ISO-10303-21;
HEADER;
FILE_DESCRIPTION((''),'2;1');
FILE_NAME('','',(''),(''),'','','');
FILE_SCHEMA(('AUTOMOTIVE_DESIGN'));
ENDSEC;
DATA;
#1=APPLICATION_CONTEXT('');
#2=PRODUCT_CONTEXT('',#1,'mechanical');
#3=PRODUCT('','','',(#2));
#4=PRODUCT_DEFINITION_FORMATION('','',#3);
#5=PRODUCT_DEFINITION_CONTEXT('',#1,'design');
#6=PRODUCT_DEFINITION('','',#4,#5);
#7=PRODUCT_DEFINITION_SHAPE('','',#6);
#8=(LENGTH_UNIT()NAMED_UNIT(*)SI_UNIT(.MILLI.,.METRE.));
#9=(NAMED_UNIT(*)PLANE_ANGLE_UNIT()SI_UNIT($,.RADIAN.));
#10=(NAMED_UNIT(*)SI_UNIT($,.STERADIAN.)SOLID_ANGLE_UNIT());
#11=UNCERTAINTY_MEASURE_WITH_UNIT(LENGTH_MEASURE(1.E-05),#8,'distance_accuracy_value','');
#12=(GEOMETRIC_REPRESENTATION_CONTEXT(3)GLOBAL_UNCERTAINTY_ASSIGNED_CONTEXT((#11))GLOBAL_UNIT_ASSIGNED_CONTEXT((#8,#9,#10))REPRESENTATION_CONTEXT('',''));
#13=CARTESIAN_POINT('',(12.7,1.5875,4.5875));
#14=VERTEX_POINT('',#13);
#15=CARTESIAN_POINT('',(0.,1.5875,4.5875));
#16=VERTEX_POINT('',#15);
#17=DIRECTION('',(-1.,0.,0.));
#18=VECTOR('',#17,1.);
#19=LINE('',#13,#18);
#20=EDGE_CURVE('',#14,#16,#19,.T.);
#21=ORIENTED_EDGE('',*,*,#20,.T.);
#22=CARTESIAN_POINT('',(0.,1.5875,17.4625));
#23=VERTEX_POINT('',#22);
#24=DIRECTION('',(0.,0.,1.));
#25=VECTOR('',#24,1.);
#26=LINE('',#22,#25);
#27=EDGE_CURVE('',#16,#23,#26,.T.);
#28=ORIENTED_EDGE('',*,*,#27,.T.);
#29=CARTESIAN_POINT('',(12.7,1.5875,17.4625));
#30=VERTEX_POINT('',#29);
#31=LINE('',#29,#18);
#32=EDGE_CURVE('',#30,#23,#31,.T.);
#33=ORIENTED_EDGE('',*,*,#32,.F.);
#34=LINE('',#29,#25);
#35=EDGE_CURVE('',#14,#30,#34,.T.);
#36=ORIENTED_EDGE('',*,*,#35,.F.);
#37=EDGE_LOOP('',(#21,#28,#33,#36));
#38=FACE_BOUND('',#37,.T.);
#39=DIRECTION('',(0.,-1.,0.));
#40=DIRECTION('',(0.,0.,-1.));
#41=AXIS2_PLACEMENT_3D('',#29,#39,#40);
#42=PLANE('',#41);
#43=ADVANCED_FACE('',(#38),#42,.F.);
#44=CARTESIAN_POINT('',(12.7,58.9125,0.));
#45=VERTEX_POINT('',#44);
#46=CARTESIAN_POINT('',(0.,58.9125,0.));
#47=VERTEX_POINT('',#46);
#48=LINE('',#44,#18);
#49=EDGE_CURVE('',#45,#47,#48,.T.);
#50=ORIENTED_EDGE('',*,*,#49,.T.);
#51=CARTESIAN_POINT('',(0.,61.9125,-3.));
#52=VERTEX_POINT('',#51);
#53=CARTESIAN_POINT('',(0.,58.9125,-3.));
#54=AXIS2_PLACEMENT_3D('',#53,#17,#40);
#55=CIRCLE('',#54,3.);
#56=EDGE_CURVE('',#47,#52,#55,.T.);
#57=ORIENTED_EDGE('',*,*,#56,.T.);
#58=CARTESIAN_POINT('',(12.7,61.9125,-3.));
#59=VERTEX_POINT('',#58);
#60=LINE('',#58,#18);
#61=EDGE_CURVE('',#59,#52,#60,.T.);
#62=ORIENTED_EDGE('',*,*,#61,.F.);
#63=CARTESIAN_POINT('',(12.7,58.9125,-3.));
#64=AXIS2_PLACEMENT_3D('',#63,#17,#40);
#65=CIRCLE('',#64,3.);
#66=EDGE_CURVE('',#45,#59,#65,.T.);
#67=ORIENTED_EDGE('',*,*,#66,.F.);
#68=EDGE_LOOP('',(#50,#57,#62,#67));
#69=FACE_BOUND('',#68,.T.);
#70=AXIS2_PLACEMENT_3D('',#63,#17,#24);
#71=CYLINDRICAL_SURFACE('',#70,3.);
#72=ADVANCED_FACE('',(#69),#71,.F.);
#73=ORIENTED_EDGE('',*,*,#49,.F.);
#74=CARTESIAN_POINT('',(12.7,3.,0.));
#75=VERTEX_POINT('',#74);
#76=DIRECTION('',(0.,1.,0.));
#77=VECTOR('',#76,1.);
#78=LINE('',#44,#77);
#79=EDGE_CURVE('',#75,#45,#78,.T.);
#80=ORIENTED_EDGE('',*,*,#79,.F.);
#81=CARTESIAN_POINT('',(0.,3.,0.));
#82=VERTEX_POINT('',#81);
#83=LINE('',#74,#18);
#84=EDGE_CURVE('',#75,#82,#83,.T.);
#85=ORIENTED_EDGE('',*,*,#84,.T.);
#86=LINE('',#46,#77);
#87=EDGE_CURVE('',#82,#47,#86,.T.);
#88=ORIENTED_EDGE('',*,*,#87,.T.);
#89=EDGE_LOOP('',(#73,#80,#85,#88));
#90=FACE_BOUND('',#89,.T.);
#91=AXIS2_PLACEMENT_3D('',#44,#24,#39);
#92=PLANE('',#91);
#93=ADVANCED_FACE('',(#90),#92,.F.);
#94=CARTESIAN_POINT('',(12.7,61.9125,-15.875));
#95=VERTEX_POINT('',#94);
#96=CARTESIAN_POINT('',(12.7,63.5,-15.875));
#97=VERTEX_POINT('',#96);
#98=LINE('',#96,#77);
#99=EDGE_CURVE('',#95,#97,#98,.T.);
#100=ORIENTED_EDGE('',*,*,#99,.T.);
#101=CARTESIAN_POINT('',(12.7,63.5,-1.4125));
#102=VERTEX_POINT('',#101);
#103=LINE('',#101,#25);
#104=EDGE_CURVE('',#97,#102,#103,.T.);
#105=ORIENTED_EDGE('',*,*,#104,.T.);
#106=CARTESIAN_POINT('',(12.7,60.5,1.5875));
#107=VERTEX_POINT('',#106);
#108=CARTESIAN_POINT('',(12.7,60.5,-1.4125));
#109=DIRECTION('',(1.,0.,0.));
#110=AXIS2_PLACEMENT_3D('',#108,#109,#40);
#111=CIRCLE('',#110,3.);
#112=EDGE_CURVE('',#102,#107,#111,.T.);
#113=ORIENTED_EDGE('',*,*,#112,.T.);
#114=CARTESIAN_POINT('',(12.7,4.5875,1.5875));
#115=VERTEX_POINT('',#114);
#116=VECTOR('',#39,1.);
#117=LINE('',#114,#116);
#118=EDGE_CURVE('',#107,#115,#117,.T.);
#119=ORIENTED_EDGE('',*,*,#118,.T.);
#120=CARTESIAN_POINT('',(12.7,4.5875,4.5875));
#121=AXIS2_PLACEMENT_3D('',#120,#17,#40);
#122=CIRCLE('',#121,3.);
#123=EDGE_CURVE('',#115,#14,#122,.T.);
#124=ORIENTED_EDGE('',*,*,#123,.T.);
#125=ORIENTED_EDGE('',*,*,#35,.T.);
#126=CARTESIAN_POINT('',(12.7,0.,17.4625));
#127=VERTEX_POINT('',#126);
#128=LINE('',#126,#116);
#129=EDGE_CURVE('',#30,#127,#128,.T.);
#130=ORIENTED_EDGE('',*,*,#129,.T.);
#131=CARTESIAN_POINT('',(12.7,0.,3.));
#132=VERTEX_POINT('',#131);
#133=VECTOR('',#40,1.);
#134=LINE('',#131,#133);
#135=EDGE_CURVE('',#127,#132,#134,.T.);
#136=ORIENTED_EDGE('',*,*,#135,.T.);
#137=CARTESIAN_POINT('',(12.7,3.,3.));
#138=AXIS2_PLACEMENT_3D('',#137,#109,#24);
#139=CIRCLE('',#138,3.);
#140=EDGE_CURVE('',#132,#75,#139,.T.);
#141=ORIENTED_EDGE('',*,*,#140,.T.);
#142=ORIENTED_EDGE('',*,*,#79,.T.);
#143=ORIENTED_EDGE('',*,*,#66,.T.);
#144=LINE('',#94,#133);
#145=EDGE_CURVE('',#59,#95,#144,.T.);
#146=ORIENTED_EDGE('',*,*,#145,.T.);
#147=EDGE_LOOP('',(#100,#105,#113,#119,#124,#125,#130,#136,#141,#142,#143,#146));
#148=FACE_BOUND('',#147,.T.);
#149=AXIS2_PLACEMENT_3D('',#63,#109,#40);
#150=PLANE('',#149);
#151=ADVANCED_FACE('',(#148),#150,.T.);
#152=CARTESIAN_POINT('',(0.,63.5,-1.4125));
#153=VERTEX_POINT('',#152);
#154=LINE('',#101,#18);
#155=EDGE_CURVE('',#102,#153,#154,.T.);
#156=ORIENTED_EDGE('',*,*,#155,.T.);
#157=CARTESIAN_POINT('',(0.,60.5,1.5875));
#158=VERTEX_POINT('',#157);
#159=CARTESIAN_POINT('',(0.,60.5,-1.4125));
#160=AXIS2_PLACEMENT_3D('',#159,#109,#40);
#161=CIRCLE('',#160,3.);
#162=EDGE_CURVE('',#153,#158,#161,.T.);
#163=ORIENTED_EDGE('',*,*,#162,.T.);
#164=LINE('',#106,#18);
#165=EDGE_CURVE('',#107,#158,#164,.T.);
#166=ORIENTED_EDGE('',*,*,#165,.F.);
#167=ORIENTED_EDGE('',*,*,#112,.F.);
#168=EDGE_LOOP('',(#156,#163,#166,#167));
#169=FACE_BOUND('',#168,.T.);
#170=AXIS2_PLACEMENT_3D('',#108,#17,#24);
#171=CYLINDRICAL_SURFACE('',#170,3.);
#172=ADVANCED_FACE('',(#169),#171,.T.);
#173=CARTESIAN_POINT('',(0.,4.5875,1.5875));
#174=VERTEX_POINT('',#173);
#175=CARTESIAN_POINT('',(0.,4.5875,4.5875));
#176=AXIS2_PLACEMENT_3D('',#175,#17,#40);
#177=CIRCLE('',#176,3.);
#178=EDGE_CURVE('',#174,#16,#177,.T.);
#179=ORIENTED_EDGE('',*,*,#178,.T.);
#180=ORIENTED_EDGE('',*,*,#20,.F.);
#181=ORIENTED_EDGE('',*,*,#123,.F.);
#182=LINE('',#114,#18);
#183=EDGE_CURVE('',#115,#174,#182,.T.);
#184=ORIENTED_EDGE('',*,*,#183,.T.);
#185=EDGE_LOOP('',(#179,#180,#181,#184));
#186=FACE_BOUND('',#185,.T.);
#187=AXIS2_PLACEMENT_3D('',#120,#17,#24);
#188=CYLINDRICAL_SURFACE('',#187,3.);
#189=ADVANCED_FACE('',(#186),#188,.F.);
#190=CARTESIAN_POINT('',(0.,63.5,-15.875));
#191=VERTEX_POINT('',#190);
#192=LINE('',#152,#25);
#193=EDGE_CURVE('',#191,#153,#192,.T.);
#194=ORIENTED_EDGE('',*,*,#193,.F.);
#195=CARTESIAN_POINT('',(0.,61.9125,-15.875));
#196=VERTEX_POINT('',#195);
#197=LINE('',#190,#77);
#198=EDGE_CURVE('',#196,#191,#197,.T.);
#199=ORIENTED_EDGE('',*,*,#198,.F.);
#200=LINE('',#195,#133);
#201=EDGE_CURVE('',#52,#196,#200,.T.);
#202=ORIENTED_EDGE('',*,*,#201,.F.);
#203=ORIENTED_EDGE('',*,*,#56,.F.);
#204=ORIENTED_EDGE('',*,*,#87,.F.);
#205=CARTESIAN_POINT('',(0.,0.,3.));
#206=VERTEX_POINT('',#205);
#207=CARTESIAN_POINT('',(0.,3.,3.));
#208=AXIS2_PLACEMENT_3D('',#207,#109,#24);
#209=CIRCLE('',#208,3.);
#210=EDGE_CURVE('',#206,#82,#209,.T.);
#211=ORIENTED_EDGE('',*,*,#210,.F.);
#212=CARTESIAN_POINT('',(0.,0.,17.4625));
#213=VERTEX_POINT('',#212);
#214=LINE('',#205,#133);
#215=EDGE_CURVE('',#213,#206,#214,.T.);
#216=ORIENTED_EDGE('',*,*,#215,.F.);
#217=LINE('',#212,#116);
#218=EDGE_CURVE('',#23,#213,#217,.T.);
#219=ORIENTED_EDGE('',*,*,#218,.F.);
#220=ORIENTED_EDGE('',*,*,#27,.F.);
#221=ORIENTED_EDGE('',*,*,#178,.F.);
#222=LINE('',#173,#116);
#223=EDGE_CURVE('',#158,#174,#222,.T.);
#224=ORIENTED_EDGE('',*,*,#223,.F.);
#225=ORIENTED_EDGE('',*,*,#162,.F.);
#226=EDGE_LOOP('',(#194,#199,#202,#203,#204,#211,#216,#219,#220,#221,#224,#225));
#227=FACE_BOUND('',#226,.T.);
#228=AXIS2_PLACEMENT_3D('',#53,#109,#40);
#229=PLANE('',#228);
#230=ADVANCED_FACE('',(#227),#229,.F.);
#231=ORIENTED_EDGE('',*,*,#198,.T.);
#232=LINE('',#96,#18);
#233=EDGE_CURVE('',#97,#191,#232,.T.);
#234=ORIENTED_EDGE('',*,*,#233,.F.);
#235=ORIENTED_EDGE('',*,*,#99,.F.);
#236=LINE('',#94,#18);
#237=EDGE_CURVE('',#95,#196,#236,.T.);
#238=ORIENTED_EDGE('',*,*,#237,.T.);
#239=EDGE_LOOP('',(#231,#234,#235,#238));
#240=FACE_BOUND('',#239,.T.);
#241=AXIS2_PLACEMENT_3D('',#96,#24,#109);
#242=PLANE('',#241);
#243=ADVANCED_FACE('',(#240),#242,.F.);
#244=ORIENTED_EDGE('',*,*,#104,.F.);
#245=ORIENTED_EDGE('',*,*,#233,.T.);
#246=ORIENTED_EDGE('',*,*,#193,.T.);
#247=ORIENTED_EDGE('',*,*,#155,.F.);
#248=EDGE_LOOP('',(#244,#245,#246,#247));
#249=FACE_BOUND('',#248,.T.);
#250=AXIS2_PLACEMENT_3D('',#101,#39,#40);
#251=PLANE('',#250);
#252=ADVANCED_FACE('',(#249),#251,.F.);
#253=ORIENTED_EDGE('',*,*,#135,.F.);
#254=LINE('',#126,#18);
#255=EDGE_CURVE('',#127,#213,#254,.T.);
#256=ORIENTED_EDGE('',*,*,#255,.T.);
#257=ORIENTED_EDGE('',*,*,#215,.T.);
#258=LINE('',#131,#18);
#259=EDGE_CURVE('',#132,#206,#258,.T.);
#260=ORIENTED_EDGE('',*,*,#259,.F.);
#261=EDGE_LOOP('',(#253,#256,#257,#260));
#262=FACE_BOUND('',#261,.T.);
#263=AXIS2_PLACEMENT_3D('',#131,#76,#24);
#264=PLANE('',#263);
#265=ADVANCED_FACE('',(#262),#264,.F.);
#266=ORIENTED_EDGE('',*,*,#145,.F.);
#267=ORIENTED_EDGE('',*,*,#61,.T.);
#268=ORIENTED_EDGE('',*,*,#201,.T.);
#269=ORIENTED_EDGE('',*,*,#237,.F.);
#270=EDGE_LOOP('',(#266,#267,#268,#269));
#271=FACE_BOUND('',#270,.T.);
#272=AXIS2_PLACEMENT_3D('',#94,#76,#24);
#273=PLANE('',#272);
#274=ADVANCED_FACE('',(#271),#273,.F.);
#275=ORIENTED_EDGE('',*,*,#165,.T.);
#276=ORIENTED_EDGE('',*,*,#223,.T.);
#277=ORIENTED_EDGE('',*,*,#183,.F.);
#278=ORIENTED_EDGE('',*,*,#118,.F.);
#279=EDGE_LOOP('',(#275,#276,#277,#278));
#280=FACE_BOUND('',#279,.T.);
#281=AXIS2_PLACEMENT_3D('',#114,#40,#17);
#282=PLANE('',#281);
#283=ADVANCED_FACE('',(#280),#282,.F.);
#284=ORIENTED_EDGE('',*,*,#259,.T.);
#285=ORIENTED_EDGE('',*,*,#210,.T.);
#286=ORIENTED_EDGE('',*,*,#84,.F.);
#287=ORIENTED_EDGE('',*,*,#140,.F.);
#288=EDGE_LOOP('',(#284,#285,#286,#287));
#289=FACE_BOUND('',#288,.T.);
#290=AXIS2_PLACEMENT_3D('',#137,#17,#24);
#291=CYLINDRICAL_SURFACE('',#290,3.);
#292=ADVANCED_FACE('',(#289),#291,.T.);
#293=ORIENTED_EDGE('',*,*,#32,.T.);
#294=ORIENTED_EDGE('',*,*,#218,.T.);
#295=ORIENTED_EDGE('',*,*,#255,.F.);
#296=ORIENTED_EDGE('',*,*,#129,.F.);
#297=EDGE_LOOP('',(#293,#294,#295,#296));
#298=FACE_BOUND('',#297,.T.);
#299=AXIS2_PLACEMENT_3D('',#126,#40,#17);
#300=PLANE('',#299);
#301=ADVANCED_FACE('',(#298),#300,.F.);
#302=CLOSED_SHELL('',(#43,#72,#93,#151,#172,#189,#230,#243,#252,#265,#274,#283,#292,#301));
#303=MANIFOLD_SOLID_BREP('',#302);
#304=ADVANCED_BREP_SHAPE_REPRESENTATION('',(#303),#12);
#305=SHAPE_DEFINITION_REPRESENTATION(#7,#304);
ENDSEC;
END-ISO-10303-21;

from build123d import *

# Parameters (mm, degrees)
BOSS_EXTRUDE1_DEPTH = 12.7


with BuildPart() as part:
    # Sketch1 → Boss-Extrude1 (new body)
    with BuildSketch(Plane(origin=(0, 0, 0), x_dir=(0, 0, -1), z_dir=(1, 0, 0))):
        with BuildLine():
            Line((1.4125, 63.5), (15.875, 63.5))
            Line((15.875, 63.5), (15.875, 61.9125))
            Line((15.875, 61.9125), (3, 61.9125))
            ThreePointArc((3, 61.9125), (0.878679656, 61.033820344), (0, 58.9125))
            Line((0, 58.9125), (0, 3))
            ThreePointArc((0, 3), (-0.878679656, 0.878679656), (-3, 0))
            Line((-3, 0), (-17.4625, 0))
            Line((-17.4625, 0), (-17.4625, 1.5875))
            Line((-17.4625, 1.5875), (-4.5875, 1.5875))
            ThreePointArc((-4.5875, 1.5875), (-2.466179656, 2.466179656), (-1.5875, 4.5875))
            Line((-1.5875, 4.5875), (-1.5875, 60.5))
            ThreePointArc((-1.5875, 60.5), (-0.708820344, 62.621320344), (1.4125, 63.5))
        make_face()
    extrude(amount=BOSS_EXTRUDE1_DEPTH)


solid = part.part
